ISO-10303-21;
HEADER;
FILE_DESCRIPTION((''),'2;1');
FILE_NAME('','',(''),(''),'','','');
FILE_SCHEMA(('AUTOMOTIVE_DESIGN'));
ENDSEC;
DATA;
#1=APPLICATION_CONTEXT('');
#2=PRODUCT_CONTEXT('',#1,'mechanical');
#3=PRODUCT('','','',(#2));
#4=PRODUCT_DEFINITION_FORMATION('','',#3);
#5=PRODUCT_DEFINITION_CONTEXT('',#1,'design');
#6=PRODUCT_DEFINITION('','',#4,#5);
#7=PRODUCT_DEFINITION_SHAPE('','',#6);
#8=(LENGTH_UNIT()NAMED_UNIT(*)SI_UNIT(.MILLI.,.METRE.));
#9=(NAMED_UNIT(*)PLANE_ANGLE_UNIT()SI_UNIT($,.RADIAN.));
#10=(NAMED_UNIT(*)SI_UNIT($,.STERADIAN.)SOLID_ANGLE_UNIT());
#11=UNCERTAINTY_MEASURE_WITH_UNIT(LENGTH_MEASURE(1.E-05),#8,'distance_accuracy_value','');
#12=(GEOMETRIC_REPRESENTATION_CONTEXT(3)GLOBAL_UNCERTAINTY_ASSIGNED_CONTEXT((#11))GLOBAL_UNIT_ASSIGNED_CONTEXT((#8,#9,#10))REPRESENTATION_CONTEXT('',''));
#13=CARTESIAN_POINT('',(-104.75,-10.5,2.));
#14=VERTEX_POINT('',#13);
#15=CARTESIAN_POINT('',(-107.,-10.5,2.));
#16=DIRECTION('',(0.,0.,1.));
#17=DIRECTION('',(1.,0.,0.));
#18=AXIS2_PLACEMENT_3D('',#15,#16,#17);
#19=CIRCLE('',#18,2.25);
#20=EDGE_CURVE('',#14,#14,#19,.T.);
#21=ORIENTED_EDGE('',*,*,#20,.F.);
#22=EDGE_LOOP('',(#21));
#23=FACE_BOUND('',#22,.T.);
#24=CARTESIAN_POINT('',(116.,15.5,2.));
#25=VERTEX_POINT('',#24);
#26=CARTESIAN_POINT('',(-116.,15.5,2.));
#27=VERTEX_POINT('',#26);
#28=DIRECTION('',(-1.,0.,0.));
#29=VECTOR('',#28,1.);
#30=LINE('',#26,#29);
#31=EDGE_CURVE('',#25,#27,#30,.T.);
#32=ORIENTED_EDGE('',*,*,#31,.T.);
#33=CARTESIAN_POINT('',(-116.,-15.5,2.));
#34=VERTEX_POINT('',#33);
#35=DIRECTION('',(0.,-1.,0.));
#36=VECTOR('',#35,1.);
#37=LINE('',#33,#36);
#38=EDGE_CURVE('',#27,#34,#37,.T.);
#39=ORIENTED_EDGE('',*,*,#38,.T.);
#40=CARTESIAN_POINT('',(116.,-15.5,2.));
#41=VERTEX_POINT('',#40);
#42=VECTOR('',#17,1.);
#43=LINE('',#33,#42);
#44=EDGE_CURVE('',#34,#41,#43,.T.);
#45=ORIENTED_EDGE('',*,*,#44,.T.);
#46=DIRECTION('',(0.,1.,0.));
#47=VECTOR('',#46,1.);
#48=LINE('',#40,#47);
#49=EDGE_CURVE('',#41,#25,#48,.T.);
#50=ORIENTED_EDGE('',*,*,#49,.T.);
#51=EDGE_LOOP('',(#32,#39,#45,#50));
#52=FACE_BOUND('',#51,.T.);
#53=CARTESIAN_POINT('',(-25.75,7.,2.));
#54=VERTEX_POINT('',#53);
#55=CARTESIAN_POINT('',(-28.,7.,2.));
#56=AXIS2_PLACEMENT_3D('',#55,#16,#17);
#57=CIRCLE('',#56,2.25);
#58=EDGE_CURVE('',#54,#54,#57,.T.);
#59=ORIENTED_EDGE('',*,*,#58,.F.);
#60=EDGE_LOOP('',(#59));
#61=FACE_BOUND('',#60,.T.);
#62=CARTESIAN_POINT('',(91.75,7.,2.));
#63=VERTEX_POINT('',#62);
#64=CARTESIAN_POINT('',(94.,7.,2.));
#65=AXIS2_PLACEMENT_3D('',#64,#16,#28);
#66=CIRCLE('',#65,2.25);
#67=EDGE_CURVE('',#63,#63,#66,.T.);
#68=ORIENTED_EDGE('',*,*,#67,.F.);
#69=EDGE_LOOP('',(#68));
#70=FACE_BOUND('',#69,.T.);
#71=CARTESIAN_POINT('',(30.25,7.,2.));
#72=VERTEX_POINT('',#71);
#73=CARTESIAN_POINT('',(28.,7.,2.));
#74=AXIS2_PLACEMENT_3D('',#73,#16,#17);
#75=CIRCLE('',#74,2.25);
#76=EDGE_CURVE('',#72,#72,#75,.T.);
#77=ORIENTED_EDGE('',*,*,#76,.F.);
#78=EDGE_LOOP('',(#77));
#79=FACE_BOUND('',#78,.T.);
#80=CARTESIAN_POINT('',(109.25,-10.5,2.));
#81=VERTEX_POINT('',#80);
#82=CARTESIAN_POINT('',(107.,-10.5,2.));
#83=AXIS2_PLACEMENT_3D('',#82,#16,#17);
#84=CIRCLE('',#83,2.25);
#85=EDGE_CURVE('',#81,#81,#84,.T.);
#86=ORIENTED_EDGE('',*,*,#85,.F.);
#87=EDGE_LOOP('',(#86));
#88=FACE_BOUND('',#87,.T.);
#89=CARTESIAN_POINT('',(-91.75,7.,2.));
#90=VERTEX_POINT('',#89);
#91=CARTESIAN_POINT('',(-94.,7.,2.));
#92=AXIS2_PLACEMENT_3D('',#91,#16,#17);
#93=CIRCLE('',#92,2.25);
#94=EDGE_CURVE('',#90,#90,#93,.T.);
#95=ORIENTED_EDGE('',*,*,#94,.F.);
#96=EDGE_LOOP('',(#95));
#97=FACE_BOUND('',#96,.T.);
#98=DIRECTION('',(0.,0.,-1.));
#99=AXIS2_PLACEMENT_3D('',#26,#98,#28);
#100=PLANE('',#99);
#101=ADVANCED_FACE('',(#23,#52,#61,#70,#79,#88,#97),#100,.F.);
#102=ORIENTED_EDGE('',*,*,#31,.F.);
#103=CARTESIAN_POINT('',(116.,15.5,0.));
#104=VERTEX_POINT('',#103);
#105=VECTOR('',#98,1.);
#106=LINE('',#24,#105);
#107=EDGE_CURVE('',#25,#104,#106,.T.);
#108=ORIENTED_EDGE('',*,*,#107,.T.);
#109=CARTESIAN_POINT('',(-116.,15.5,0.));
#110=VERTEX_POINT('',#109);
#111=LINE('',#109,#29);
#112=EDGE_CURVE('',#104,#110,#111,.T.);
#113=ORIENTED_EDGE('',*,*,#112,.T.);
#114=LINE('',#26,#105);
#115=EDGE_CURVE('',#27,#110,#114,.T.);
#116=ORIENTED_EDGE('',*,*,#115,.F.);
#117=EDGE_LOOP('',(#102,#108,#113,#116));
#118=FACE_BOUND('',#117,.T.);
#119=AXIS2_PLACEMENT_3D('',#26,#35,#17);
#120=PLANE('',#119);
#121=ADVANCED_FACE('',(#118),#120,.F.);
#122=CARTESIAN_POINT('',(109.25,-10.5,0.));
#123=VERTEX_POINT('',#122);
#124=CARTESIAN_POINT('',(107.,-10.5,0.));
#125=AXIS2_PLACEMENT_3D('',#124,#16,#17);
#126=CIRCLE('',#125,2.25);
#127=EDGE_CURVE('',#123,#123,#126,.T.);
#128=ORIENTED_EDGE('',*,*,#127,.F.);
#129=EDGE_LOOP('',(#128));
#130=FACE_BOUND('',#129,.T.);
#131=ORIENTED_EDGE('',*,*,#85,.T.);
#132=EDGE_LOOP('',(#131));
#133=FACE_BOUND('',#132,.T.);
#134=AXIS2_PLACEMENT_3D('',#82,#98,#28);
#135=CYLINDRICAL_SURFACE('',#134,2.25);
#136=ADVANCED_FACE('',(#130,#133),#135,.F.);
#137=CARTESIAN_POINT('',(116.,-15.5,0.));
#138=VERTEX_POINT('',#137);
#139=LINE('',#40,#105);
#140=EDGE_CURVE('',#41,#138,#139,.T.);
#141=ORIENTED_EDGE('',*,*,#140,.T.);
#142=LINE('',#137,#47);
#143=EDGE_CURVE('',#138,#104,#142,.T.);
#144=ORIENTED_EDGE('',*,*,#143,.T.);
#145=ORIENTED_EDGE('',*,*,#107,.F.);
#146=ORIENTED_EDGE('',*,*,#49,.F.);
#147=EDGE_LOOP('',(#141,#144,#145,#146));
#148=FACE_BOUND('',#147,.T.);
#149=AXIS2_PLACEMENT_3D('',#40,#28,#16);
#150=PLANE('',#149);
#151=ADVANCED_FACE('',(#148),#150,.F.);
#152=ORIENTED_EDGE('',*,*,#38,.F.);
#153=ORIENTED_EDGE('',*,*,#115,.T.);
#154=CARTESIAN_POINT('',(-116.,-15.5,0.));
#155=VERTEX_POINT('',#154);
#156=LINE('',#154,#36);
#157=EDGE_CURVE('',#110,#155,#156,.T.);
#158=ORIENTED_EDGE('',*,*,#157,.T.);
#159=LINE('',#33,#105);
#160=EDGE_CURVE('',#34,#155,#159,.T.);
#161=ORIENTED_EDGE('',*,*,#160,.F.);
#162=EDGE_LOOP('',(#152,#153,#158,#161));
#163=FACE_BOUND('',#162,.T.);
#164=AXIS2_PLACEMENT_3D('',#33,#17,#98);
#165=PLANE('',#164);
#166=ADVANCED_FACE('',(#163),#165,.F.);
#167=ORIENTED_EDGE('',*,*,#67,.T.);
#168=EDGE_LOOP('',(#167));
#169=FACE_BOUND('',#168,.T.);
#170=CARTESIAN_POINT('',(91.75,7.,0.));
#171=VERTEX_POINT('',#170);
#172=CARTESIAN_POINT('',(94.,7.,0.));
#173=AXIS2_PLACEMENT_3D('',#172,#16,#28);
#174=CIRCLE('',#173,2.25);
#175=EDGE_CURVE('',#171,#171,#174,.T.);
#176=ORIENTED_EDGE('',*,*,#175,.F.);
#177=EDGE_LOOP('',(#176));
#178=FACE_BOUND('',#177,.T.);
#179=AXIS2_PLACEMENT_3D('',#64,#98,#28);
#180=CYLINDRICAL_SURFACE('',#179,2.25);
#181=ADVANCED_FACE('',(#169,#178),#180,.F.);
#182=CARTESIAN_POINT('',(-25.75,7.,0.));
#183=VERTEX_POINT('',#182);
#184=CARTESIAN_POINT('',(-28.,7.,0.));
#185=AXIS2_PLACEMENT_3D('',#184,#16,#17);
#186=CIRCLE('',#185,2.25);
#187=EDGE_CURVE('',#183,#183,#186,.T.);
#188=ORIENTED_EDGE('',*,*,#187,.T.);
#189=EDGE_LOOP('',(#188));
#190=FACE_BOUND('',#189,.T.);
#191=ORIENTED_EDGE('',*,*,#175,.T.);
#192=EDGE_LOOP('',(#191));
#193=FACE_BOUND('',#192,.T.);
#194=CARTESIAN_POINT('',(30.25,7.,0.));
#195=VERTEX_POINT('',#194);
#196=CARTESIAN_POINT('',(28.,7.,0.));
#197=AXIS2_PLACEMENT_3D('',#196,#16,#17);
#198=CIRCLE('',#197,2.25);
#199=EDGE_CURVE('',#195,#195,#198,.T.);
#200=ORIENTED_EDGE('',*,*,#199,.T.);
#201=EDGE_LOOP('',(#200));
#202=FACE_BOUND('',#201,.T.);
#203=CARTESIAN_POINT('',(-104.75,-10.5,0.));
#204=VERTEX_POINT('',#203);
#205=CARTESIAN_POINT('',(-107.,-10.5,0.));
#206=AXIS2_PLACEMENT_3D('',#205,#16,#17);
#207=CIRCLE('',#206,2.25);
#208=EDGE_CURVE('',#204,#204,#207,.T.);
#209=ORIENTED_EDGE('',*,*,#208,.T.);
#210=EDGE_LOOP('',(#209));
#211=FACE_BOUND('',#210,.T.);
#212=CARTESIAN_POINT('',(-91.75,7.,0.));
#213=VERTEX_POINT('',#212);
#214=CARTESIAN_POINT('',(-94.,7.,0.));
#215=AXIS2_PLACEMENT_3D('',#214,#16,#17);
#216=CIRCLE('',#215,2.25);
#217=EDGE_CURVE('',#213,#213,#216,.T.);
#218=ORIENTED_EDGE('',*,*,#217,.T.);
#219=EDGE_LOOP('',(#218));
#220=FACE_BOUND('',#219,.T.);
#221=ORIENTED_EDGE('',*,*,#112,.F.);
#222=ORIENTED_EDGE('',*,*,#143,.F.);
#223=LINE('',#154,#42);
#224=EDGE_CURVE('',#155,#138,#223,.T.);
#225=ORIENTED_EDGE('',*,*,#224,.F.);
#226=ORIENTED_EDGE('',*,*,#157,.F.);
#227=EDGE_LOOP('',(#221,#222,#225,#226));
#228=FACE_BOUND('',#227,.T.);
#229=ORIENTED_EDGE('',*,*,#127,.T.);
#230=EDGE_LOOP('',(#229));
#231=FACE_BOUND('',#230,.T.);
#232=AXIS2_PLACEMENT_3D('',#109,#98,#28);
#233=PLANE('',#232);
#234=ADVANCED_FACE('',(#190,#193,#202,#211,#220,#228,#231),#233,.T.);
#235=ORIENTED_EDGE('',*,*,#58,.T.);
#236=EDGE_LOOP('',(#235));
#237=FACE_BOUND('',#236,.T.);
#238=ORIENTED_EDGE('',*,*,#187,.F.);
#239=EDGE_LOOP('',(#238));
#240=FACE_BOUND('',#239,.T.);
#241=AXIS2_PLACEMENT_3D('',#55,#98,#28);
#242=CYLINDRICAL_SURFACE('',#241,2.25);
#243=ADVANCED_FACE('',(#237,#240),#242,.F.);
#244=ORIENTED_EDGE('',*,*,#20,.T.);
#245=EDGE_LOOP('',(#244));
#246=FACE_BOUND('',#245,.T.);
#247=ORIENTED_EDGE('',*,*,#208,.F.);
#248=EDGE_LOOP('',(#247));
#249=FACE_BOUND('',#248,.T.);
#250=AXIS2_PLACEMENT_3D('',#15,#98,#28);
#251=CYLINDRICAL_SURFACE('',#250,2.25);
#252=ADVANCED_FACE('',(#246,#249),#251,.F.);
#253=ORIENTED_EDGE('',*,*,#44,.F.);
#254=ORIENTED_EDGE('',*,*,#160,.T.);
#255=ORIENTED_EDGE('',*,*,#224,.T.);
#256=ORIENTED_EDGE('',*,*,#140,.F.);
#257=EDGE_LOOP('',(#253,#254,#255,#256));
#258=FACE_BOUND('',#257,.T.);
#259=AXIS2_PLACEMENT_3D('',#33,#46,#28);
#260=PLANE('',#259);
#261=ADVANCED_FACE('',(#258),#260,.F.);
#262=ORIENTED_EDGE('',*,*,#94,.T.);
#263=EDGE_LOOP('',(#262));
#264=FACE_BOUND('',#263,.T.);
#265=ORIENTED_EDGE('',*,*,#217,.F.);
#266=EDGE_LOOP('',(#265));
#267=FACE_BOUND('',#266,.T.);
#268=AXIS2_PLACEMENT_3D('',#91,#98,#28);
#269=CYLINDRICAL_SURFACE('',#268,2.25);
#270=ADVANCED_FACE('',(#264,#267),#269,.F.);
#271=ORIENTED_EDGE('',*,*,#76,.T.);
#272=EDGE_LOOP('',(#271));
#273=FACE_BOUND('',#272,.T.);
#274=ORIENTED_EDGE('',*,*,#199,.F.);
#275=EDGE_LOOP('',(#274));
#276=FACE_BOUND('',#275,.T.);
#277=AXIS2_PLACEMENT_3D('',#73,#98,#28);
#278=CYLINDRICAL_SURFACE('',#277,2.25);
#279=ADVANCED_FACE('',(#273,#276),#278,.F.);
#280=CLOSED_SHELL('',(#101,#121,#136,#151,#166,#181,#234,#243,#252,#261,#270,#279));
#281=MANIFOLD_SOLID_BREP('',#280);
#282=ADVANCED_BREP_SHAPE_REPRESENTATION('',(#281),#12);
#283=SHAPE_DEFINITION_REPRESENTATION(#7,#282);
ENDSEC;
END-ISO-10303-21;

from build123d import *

# Parameters (mm, degrees)
SKETCH_1_W      = 232
SKETCH_1_H      = 31
SKETCH_1_R      = 2.25
EXTRUDE_1_DEPTH = 2


with BuildPart() as part:
    # Эскиз1 → Вытянуть1 (new body)
    with BuildSketch(Plane.XY):
        Rectangle(SKETCH_1_W, SKETCH_1_H)
        with Locations((-28, 7)):
            Circle(SKETCH_1_R, mode=Mode.SUBTRACT)
        with Locations((28, 7)):
            Circle(SKETCH_1_R, mode=Mode.SUBTRACT)
        with Locations((-94, 7)):
            Circle(SKETCH_1_R, mode=Mode.SUBTRACT)
        with Locations(Location((94, 7, 0), (0, 0, 180))):
            Circle(SKETCH_1_R, mode=Mode.SUBTRACT)
        with Locations((-107, -10.5)):
            Circle(SKETCH_1_R, mode=Mode.SUBTRACT)
        with Locations((107, -10.5)):
            Circle(SKETCH_1_R, mode=Mode.SUBTRACT)
    extrude(amount=EXTRUDE_1_DEPTH)


solid = part.part
